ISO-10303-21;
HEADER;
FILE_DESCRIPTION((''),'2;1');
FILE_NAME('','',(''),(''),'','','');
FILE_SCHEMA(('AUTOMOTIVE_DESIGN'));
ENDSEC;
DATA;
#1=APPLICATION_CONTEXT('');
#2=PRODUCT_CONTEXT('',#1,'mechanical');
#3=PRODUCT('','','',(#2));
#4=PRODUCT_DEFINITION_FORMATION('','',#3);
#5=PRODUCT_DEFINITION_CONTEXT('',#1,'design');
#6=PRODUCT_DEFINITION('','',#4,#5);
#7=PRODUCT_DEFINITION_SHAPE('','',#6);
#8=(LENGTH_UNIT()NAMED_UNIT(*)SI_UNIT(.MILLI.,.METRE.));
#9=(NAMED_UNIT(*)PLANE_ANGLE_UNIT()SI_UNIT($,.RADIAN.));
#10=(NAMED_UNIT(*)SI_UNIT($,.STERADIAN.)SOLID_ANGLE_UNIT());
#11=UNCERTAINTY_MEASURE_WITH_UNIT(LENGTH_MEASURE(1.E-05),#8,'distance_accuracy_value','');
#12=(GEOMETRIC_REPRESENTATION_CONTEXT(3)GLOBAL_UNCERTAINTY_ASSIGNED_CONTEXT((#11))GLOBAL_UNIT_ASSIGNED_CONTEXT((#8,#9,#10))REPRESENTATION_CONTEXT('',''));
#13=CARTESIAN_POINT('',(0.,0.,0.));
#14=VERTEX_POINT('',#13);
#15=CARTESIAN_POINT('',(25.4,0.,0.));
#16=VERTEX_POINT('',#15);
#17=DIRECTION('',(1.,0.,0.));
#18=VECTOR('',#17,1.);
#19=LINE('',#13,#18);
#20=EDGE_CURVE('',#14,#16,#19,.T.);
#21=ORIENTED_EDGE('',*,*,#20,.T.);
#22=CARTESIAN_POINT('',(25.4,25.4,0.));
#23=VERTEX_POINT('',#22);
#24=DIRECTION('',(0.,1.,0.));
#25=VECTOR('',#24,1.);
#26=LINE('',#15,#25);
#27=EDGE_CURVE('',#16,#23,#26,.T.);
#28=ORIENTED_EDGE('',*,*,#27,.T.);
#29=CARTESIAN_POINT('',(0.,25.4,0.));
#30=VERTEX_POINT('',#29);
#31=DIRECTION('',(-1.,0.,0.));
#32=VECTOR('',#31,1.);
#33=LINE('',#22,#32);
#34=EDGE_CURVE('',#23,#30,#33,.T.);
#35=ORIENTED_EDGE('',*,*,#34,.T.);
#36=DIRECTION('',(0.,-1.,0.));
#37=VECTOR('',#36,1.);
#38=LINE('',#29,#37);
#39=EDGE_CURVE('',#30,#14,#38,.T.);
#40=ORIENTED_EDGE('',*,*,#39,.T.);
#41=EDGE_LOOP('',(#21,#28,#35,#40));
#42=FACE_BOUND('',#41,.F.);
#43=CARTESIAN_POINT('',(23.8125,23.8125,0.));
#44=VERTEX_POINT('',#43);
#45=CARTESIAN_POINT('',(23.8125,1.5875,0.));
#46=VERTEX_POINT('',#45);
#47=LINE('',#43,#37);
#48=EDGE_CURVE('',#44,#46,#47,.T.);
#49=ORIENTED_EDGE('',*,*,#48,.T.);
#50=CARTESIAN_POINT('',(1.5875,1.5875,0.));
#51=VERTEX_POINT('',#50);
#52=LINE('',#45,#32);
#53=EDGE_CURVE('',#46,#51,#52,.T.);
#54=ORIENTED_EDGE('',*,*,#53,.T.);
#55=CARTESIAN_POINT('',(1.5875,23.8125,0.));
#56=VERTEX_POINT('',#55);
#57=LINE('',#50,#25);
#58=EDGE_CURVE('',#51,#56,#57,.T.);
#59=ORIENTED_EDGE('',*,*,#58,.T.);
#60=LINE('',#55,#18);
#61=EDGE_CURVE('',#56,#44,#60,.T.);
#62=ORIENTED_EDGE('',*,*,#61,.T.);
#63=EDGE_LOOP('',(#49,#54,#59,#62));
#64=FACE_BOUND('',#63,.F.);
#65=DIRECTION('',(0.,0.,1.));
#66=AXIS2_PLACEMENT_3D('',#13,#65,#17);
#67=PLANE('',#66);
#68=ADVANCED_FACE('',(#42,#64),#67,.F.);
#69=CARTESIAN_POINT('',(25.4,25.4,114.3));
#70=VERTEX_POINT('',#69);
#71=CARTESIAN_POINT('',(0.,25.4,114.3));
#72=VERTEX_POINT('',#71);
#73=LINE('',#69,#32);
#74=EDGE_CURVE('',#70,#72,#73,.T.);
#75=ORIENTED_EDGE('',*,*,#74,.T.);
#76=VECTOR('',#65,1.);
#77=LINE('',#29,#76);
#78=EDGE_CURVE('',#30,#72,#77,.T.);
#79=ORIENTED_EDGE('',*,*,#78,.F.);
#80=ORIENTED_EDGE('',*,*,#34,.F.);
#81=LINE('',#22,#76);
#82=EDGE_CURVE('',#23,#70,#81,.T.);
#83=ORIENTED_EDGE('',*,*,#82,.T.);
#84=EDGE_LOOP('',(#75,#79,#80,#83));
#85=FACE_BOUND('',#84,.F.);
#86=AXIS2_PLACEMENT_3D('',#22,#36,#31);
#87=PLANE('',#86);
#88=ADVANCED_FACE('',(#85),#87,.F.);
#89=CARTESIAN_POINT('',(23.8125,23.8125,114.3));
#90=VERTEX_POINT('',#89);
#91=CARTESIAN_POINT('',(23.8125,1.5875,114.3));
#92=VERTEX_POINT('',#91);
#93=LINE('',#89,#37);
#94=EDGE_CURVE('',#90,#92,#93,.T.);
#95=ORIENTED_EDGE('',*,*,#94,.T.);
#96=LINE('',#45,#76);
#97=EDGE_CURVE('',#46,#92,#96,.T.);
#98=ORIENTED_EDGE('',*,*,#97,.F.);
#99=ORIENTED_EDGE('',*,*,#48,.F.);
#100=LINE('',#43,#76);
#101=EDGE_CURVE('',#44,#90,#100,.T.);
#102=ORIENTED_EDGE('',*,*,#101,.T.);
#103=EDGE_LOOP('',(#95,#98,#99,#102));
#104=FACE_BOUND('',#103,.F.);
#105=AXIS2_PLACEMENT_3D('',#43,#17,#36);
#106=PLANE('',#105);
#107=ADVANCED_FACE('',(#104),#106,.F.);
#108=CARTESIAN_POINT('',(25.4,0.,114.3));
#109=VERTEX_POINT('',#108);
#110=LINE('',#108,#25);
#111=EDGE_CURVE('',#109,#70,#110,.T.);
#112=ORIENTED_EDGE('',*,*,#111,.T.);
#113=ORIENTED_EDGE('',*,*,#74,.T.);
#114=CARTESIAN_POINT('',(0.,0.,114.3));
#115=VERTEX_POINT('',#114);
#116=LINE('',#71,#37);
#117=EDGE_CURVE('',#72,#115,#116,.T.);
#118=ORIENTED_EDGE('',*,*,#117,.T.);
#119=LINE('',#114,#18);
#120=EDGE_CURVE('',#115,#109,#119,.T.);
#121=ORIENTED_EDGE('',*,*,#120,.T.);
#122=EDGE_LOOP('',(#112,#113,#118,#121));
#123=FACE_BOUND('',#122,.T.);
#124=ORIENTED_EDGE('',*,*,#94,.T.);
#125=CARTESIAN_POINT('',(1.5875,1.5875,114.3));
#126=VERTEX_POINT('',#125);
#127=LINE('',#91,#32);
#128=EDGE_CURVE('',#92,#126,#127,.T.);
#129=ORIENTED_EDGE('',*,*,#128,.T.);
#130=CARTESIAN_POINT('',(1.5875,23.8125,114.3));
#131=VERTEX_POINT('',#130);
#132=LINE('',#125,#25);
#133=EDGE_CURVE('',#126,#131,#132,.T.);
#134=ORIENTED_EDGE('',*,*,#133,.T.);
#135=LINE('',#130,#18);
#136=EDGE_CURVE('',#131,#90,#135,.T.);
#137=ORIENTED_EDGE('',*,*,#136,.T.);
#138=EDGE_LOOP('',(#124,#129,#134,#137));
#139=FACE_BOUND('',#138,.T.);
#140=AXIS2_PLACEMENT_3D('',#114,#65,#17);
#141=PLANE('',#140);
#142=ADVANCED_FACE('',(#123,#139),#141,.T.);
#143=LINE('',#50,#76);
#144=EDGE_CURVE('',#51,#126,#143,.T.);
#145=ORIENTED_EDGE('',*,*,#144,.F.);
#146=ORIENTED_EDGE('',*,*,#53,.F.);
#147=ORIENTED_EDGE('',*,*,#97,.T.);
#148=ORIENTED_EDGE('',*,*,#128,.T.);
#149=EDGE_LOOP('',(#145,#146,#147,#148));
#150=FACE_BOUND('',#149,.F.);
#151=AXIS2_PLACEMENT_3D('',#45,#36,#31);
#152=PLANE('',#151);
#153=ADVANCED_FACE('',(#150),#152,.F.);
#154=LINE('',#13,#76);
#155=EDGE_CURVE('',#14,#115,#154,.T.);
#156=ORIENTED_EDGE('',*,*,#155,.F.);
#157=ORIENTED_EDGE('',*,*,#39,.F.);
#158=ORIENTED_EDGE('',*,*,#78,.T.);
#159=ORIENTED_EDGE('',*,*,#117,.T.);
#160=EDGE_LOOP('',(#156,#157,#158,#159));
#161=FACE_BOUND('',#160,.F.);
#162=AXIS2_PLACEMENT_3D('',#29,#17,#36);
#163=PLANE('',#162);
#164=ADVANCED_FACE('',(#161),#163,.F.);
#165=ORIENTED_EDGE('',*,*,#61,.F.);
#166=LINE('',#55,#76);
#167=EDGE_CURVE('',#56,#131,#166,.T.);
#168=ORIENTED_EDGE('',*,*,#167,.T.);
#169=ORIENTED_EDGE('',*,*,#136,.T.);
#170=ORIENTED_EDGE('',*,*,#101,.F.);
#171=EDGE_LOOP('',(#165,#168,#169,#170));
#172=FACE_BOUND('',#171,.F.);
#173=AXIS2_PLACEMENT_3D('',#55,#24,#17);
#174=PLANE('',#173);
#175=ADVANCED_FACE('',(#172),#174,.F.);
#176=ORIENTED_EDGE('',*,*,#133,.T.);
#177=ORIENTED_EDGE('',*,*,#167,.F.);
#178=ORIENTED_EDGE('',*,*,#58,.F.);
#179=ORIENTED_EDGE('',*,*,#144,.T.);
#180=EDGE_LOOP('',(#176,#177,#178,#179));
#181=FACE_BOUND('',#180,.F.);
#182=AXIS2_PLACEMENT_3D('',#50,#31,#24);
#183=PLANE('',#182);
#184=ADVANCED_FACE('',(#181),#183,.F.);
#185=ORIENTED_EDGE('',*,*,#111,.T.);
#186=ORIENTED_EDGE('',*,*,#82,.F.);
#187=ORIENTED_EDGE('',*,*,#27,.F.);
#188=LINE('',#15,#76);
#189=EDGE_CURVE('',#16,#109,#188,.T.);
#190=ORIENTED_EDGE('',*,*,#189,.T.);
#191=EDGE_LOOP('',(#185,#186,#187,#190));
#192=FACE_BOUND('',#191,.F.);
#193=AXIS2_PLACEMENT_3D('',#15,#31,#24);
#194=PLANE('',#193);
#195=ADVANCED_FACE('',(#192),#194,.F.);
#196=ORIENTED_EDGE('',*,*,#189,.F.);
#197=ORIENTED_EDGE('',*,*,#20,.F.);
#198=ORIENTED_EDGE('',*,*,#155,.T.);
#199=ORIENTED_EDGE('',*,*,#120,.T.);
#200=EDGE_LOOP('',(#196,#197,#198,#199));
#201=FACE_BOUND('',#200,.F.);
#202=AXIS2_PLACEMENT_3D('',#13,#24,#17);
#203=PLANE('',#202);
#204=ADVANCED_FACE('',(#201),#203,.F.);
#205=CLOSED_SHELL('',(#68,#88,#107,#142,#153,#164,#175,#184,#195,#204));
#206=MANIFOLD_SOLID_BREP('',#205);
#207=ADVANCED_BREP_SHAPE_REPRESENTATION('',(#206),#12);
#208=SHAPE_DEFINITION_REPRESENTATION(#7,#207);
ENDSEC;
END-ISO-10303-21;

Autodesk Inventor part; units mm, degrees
ref_plane "YZ Plane" through (0, 0, 0) normal (1, 0, 0) x (0, 1, 0)
ref_plane "XZ Plane" through (0, 0, 0) normal (0, 1, 0) x (-1, 0, 0)
ref_plane "XY Plane" through (0, 0, 0) normal (0, 0, 1) x (1, 0, 0)
sketch "Sketch1" plane through (0, 0, 0) normal (0, 0, 1) x (1, 0, 0)
  line L0 (0, 0) -> (25.4, 0)
  line L1 (25.4, 0) -> (25.4, 25.4)
  line L2 (25.4, 25.4) -> (0, 25.4)
  line L3 (0, 25.4) -> (0, 0)
  line L4 (1.5875, 23.8125) -> (23.8125, 23.8125)
  line L5 (23.8125, 23.8125) -> (23.8125, 1.5875)
  line L6 (23.8125, 1.5875) -> (1.5875, 1.5875)
  line L7 (1.5875, 1.5875) -> (1.5875, 23.8125)
  dimension "d0" = 25.4
  dimension "d1" = 25.4
  dimension "d2" = 1.5875
extrude "Extrusion1" add sketch "Sketch1" along normal blind 114.3
properties part number "SUP_015_ShortCenterToptoBottomSupport" material "Aluminum 6061"
